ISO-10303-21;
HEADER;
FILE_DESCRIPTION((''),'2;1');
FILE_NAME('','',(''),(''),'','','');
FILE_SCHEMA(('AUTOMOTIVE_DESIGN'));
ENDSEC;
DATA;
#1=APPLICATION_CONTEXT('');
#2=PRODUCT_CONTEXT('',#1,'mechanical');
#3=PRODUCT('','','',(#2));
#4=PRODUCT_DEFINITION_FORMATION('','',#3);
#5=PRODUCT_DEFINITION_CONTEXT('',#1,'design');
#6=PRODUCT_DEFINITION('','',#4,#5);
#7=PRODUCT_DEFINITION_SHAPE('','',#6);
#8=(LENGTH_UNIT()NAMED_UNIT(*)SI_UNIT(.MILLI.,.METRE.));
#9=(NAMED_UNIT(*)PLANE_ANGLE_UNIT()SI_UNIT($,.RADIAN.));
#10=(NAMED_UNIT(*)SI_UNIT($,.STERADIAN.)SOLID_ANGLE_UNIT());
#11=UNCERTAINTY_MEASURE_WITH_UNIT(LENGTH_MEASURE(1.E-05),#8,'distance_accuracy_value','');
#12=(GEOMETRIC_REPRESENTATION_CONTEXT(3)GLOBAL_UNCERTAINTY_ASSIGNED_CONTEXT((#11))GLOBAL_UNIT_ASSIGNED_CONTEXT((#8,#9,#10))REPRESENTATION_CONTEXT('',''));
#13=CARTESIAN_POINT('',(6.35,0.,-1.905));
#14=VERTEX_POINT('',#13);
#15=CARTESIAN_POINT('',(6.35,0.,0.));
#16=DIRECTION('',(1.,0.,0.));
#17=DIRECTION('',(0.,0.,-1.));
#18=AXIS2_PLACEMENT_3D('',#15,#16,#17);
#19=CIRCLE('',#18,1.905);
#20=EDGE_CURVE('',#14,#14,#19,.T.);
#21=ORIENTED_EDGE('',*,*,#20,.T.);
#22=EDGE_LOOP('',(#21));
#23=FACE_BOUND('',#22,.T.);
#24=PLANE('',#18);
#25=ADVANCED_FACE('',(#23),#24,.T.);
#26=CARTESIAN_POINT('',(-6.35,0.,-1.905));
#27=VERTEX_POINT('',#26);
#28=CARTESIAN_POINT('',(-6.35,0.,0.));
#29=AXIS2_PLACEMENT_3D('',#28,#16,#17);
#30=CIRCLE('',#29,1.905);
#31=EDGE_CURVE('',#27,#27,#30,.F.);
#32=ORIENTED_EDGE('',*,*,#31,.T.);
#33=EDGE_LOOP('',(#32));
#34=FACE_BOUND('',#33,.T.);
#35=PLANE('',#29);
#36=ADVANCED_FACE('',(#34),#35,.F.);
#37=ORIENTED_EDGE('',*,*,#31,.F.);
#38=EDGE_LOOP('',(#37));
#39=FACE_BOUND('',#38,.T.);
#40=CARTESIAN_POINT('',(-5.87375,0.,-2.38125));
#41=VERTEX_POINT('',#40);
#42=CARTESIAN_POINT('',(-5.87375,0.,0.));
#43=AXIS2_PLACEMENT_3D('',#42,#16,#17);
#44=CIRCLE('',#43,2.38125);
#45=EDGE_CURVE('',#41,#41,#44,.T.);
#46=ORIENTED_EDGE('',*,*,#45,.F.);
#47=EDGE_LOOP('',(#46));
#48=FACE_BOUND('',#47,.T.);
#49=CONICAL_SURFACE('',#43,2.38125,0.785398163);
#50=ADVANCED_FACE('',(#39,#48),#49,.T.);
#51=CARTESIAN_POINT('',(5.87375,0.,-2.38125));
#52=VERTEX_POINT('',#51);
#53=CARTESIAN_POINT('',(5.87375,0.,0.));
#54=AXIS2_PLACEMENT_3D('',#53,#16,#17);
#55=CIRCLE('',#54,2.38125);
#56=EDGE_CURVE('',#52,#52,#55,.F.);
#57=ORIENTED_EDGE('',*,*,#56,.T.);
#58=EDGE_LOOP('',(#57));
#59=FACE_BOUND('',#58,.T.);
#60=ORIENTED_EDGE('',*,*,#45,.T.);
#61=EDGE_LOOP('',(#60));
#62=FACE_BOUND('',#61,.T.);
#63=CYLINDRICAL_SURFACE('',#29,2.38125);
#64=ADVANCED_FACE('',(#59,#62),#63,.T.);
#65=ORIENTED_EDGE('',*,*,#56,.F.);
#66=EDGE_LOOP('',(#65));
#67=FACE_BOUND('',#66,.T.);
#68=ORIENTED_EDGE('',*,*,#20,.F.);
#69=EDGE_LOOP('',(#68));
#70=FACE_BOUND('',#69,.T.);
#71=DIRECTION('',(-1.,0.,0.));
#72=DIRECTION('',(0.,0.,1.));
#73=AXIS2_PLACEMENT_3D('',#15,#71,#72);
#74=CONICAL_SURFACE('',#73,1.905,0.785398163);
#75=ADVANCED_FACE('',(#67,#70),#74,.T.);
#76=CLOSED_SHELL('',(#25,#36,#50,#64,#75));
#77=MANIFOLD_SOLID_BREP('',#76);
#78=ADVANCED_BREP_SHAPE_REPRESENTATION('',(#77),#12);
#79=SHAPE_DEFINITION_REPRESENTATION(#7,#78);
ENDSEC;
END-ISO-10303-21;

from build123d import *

# Parameters (mm, degrees)
SKETCH2_R           = 2.38125
EXTRUDE1_DEPTH      = 6.35
EXTRUDE1_DEPTH_BACK = 6.35
CHAMFER1_SIZE       = 0.47625


with BuildPart() as part:
    # Sketch2 → Extrude1 (new body, two sides)
    with BuildSketch(Plane(origin=(0, 0, 0), x_dir=(0, 0, -1), z_dir=(1, 0, 0))) as extrude1_sk:
        Circle(SKETCH2_R)
    extrude(amount=EXTRUDE1_DEPTH)
    extrude(extrude1_sk.sketch, amount=-EXTRUDE1_DEPTH_BACK)

    # Chamfer1
    chamfer1_edges = [part.edges().sort_by_distance(p)[0] for p in [
        (-6.35, 0, 2.38125),
        (6.35, 0, 2.38125),
    ]]
    chamfer(chamfer1_edges, length=CHAMFER1_SIZE)


solid = part.part
